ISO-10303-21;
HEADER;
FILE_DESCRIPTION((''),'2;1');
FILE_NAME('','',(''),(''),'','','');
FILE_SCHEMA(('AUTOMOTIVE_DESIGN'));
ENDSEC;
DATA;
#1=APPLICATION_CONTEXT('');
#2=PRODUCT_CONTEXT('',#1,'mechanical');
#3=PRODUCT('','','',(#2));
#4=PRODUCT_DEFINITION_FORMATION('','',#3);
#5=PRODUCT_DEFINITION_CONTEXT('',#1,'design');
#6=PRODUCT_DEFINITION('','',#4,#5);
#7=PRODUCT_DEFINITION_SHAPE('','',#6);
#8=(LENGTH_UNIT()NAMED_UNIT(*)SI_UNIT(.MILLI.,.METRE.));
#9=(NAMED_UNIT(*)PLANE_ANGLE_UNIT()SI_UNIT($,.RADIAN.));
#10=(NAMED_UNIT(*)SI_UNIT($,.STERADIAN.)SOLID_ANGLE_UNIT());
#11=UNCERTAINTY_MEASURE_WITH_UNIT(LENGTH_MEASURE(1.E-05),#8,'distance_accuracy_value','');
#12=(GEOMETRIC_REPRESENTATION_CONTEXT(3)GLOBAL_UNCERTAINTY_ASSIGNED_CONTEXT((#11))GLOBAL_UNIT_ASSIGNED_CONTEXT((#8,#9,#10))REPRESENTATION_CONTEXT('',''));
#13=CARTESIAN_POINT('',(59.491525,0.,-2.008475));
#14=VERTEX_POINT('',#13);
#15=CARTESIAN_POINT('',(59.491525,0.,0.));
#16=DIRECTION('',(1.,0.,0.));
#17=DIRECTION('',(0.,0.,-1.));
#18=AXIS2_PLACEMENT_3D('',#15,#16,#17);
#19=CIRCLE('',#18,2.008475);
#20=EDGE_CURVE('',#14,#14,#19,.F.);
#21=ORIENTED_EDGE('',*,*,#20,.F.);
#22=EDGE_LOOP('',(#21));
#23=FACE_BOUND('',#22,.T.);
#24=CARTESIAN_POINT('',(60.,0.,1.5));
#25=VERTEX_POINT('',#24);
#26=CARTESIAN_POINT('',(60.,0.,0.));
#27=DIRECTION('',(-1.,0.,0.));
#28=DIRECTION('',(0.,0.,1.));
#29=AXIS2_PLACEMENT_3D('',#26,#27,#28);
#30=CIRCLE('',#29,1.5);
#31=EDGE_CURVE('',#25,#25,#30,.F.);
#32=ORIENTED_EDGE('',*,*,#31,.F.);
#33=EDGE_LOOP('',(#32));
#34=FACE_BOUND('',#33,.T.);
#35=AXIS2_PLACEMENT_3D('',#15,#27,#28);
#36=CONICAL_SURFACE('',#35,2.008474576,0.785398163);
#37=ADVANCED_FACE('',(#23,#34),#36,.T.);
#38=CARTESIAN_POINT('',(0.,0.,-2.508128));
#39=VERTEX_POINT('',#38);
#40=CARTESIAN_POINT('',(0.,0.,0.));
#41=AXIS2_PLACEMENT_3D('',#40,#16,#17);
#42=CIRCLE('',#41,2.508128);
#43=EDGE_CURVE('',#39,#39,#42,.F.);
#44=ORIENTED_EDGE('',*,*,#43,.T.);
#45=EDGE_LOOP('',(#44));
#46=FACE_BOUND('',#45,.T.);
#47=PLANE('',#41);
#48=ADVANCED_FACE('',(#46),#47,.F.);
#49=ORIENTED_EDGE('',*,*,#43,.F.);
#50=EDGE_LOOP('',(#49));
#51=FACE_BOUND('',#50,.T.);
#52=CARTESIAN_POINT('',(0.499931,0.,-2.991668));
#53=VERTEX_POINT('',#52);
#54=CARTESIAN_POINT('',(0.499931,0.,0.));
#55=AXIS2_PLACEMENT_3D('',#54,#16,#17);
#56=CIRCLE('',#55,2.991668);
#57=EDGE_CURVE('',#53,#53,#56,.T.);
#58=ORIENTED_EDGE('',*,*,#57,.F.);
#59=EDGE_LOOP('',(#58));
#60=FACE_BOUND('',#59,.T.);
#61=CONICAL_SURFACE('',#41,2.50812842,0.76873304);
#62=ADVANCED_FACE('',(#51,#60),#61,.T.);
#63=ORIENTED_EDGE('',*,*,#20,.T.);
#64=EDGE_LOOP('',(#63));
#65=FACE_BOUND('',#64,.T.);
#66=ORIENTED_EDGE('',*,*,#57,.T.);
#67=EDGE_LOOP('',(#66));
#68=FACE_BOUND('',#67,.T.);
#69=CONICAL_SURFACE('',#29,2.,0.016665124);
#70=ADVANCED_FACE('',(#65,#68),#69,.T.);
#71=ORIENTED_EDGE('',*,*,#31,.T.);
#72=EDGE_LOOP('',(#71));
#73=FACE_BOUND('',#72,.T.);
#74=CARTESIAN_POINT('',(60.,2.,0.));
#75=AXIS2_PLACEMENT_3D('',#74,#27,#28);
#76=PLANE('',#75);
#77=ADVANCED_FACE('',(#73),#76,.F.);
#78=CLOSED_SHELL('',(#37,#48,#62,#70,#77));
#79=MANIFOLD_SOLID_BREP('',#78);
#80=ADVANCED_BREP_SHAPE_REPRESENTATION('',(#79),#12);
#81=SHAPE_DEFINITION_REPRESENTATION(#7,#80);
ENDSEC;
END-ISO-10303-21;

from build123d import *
from OCP.BRepFilletAPI import BRepFilletAPI_MakeChamfer

# Parameters (mm, degrees)
CHAMFER1_SIZE    = 0.5
CHAMFER1_SIZE2   = 0.508545193
CHAMFER1_SIZE2_2 = 0.49187158


with BuildPart() as part:
    # Sketch1 → Revolve1 (revolve)
    with BuildSketch(Plane.XY, mode=Mode.PRIVATE) as revolve1_sk:
        Polygon((0, 0), (0, 3), (60, 2), (60, 0), align=None)
    revolve(revolve1_sk.sketch.rotate(Axis((0, 0, 0), (1, 0, 0)), 90), axis=Axis((0, 0, 0), (1, 0, 0)))

    # Chamfer1: one chamfer whose edges measure the first distance from different faces: ONE call of the kernel's chamfer builder (chamfer() names one face for all edges)
    chamfer1_edges_1 = [part.edges().sort_by_distance(p)[0] for p in [
        (60, 0, -2),
    ]]
    chamfer1_side_1 = [part.faces().sort_by_distance(p)[0] for p in [
        (60, 0, 0),
    ]]
    chamfer1_edges_2 = [part.edges().sort_by_distance(p)[0] for p in [
        (0, 0, -3),
    ]]
    chamfer1_side_2 = [part.faces().sort_by_distance(p)[0] for p in [
        (30, 0, -2.5),
    ]]
    chamfer1 = BRepFilletAPI_MakeChamfer(part.part.solid().wrapped)
    for e in chamfer1_edges_1:
        chamfer1.Add(CHAMFER1_SIZE, CHAMFER1_SIZE2, e.wrapped, chamfer1_side_1[0].wrapped)  # the first distance lies on this face
    for e in chamfer1_edges_2:
        chamfer1.Add(CHAMFER1_SIZE, CHAMFER1_SIZE2_2, e.wrapped, chamfer1_side_2[0].wrapped)  # the first distance lies on this face
    add(Compound.cast(chamfer1.Shape()), mode=Mode.REPLACE)


solid = part.part
